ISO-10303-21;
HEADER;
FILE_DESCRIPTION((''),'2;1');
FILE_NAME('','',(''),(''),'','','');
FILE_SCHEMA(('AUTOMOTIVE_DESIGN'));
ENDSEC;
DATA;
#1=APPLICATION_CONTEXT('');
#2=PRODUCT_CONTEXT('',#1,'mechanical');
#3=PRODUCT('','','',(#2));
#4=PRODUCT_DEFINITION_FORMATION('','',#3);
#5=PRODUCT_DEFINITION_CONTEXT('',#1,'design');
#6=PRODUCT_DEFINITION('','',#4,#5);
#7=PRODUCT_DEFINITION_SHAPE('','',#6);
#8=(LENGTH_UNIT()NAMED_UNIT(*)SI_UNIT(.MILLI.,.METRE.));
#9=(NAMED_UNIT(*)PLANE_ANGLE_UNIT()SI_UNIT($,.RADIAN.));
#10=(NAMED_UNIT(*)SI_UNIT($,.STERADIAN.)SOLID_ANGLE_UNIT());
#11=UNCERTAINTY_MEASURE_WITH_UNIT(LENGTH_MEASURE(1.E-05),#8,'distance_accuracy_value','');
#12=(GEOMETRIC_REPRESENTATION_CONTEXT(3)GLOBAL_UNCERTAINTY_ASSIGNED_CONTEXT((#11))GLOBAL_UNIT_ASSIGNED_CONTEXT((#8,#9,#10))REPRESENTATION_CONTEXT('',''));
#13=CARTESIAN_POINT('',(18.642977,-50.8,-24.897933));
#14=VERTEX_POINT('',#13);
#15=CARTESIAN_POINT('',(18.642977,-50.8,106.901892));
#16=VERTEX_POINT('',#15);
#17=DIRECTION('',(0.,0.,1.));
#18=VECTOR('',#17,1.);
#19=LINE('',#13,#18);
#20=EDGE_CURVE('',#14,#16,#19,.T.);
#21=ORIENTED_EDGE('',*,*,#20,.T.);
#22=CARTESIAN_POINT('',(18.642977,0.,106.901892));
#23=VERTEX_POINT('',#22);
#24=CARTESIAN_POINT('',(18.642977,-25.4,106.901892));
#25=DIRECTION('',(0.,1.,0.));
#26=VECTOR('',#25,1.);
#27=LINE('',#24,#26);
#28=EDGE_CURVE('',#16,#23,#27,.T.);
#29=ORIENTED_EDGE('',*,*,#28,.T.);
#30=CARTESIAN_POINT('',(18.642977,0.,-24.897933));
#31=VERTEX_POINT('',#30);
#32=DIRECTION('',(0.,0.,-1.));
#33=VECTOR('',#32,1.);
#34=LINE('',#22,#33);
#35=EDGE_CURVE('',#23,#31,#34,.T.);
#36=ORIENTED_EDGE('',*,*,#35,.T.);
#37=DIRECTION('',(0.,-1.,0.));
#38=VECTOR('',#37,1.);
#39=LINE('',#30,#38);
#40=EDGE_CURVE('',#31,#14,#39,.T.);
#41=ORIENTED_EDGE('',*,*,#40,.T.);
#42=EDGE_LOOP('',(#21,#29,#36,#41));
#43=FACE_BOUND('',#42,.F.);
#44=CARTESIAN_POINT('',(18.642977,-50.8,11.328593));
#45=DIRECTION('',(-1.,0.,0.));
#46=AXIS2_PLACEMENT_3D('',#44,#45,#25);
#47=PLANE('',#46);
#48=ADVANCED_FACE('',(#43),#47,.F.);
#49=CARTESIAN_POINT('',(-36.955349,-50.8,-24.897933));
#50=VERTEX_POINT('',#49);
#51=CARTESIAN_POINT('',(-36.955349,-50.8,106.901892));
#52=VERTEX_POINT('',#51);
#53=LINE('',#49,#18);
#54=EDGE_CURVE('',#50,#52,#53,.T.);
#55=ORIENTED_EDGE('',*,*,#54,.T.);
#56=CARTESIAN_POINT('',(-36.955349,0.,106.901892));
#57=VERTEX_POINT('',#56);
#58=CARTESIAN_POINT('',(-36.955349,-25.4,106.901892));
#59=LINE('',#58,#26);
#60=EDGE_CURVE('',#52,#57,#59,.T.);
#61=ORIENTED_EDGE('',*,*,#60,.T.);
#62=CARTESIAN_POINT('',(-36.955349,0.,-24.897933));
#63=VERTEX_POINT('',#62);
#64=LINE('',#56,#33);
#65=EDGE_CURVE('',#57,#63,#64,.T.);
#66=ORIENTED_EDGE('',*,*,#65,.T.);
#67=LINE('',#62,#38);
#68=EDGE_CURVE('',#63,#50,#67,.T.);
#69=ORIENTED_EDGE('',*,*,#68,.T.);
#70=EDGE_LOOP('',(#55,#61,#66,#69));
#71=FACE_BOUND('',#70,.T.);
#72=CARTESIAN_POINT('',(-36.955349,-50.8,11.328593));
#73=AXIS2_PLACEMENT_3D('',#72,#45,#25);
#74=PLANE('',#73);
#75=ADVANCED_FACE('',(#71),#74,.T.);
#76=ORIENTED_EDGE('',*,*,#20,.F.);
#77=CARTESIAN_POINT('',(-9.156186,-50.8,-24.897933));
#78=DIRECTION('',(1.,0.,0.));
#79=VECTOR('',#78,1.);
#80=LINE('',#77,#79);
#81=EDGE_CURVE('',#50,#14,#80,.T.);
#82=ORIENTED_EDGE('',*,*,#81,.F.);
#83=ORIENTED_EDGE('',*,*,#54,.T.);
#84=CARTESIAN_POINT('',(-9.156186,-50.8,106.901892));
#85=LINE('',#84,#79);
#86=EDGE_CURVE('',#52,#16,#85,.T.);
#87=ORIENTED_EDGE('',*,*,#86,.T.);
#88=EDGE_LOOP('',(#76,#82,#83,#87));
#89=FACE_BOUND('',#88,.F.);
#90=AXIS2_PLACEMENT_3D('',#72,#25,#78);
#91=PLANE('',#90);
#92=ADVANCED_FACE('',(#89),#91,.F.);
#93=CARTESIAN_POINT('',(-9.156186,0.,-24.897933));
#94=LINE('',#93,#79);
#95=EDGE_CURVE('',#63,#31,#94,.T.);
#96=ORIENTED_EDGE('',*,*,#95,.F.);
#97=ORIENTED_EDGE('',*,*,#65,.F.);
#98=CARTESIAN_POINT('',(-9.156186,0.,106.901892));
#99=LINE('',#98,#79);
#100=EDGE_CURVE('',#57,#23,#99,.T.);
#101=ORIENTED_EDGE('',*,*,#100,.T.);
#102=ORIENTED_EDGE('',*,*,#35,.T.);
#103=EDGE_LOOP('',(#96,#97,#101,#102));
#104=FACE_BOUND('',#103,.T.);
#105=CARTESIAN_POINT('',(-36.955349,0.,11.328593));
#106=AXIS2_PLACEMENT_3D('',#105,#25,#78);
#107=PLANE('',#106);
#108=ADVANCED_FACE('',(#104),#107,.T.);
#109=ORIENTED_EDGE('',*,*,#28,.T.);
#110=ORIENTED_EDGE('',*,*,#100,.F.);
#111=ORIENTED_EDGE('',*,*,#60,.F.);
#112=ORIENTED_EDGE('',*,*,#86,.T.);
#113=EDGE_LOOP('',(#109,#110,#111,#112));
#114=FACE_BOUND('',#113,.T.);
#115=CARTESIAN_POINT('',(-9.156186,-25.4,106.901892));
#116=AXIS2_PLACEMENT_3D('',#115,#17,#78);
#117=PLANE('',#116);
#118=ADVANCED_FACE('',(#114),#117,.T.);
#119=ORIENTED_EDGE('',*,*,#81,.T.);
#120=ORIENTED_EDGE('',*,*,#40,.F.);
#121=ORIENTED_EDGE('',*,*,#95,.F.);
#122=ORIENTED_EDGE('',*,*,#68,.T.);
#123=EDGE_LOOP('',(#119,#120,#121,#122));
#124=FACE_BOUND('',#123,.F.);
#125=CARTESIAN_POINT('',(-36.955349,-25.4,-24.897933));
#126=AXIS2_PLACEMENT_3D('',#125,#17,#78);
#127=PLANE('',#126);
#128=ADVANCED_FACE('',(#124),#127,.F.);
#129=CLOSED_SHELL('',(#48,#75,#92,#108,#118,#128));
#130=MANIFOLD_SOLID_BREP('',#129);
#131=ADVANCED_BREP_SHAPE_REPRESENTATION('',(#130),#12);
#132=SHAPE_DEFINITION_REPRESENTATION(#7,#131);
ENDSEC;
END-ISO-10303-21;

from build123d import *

# Parameters (mm, degrees)
F0_W      = 55.598326
F0_H      = 36.226526
F1_DEPTH  = 25.4
F1_FACE_W = 55.598326
F1_FACE_H = 36.226526
F2_DEPTH  = 25.4
F2_FACE_W = 55.598326
F2_FACE_H = 50.8
F3_DEPTH  = 95.573299


with BuildPart() as f1:
    # F0 (on Front) → F1 (new body)
    with BuildSketch(Plane.XZ):
        with Locations((-9.156186, -6.78467)):
            Rectangle(F0_W, F0_H)
    extrude(amount=F1_DEPTH)

    # F1_face (on face) → F2 (join)
    with BuildSketch(Plane(origin=(-9.156186, -25.4, -6.78467), x_dir=(1, 0, 0), z_dir=(0, -1, 0))):
        Rectangle(F1_FACE_W, F1_FACE_H)
    extrude(amount=F2_DEPTH)

    # F2_face (on face) → F3 (join)
    with BuildSketch(Plane(origin=(-9.156186, -25.4, 11.328593), x_dir=(1, 0, 0), z_dir=(0, 0, 1))):
        Rectangle(F2_FACE_W, F2_FACE_H)
    extrude(amount=F3_DEPTH)


solid = f1.part
